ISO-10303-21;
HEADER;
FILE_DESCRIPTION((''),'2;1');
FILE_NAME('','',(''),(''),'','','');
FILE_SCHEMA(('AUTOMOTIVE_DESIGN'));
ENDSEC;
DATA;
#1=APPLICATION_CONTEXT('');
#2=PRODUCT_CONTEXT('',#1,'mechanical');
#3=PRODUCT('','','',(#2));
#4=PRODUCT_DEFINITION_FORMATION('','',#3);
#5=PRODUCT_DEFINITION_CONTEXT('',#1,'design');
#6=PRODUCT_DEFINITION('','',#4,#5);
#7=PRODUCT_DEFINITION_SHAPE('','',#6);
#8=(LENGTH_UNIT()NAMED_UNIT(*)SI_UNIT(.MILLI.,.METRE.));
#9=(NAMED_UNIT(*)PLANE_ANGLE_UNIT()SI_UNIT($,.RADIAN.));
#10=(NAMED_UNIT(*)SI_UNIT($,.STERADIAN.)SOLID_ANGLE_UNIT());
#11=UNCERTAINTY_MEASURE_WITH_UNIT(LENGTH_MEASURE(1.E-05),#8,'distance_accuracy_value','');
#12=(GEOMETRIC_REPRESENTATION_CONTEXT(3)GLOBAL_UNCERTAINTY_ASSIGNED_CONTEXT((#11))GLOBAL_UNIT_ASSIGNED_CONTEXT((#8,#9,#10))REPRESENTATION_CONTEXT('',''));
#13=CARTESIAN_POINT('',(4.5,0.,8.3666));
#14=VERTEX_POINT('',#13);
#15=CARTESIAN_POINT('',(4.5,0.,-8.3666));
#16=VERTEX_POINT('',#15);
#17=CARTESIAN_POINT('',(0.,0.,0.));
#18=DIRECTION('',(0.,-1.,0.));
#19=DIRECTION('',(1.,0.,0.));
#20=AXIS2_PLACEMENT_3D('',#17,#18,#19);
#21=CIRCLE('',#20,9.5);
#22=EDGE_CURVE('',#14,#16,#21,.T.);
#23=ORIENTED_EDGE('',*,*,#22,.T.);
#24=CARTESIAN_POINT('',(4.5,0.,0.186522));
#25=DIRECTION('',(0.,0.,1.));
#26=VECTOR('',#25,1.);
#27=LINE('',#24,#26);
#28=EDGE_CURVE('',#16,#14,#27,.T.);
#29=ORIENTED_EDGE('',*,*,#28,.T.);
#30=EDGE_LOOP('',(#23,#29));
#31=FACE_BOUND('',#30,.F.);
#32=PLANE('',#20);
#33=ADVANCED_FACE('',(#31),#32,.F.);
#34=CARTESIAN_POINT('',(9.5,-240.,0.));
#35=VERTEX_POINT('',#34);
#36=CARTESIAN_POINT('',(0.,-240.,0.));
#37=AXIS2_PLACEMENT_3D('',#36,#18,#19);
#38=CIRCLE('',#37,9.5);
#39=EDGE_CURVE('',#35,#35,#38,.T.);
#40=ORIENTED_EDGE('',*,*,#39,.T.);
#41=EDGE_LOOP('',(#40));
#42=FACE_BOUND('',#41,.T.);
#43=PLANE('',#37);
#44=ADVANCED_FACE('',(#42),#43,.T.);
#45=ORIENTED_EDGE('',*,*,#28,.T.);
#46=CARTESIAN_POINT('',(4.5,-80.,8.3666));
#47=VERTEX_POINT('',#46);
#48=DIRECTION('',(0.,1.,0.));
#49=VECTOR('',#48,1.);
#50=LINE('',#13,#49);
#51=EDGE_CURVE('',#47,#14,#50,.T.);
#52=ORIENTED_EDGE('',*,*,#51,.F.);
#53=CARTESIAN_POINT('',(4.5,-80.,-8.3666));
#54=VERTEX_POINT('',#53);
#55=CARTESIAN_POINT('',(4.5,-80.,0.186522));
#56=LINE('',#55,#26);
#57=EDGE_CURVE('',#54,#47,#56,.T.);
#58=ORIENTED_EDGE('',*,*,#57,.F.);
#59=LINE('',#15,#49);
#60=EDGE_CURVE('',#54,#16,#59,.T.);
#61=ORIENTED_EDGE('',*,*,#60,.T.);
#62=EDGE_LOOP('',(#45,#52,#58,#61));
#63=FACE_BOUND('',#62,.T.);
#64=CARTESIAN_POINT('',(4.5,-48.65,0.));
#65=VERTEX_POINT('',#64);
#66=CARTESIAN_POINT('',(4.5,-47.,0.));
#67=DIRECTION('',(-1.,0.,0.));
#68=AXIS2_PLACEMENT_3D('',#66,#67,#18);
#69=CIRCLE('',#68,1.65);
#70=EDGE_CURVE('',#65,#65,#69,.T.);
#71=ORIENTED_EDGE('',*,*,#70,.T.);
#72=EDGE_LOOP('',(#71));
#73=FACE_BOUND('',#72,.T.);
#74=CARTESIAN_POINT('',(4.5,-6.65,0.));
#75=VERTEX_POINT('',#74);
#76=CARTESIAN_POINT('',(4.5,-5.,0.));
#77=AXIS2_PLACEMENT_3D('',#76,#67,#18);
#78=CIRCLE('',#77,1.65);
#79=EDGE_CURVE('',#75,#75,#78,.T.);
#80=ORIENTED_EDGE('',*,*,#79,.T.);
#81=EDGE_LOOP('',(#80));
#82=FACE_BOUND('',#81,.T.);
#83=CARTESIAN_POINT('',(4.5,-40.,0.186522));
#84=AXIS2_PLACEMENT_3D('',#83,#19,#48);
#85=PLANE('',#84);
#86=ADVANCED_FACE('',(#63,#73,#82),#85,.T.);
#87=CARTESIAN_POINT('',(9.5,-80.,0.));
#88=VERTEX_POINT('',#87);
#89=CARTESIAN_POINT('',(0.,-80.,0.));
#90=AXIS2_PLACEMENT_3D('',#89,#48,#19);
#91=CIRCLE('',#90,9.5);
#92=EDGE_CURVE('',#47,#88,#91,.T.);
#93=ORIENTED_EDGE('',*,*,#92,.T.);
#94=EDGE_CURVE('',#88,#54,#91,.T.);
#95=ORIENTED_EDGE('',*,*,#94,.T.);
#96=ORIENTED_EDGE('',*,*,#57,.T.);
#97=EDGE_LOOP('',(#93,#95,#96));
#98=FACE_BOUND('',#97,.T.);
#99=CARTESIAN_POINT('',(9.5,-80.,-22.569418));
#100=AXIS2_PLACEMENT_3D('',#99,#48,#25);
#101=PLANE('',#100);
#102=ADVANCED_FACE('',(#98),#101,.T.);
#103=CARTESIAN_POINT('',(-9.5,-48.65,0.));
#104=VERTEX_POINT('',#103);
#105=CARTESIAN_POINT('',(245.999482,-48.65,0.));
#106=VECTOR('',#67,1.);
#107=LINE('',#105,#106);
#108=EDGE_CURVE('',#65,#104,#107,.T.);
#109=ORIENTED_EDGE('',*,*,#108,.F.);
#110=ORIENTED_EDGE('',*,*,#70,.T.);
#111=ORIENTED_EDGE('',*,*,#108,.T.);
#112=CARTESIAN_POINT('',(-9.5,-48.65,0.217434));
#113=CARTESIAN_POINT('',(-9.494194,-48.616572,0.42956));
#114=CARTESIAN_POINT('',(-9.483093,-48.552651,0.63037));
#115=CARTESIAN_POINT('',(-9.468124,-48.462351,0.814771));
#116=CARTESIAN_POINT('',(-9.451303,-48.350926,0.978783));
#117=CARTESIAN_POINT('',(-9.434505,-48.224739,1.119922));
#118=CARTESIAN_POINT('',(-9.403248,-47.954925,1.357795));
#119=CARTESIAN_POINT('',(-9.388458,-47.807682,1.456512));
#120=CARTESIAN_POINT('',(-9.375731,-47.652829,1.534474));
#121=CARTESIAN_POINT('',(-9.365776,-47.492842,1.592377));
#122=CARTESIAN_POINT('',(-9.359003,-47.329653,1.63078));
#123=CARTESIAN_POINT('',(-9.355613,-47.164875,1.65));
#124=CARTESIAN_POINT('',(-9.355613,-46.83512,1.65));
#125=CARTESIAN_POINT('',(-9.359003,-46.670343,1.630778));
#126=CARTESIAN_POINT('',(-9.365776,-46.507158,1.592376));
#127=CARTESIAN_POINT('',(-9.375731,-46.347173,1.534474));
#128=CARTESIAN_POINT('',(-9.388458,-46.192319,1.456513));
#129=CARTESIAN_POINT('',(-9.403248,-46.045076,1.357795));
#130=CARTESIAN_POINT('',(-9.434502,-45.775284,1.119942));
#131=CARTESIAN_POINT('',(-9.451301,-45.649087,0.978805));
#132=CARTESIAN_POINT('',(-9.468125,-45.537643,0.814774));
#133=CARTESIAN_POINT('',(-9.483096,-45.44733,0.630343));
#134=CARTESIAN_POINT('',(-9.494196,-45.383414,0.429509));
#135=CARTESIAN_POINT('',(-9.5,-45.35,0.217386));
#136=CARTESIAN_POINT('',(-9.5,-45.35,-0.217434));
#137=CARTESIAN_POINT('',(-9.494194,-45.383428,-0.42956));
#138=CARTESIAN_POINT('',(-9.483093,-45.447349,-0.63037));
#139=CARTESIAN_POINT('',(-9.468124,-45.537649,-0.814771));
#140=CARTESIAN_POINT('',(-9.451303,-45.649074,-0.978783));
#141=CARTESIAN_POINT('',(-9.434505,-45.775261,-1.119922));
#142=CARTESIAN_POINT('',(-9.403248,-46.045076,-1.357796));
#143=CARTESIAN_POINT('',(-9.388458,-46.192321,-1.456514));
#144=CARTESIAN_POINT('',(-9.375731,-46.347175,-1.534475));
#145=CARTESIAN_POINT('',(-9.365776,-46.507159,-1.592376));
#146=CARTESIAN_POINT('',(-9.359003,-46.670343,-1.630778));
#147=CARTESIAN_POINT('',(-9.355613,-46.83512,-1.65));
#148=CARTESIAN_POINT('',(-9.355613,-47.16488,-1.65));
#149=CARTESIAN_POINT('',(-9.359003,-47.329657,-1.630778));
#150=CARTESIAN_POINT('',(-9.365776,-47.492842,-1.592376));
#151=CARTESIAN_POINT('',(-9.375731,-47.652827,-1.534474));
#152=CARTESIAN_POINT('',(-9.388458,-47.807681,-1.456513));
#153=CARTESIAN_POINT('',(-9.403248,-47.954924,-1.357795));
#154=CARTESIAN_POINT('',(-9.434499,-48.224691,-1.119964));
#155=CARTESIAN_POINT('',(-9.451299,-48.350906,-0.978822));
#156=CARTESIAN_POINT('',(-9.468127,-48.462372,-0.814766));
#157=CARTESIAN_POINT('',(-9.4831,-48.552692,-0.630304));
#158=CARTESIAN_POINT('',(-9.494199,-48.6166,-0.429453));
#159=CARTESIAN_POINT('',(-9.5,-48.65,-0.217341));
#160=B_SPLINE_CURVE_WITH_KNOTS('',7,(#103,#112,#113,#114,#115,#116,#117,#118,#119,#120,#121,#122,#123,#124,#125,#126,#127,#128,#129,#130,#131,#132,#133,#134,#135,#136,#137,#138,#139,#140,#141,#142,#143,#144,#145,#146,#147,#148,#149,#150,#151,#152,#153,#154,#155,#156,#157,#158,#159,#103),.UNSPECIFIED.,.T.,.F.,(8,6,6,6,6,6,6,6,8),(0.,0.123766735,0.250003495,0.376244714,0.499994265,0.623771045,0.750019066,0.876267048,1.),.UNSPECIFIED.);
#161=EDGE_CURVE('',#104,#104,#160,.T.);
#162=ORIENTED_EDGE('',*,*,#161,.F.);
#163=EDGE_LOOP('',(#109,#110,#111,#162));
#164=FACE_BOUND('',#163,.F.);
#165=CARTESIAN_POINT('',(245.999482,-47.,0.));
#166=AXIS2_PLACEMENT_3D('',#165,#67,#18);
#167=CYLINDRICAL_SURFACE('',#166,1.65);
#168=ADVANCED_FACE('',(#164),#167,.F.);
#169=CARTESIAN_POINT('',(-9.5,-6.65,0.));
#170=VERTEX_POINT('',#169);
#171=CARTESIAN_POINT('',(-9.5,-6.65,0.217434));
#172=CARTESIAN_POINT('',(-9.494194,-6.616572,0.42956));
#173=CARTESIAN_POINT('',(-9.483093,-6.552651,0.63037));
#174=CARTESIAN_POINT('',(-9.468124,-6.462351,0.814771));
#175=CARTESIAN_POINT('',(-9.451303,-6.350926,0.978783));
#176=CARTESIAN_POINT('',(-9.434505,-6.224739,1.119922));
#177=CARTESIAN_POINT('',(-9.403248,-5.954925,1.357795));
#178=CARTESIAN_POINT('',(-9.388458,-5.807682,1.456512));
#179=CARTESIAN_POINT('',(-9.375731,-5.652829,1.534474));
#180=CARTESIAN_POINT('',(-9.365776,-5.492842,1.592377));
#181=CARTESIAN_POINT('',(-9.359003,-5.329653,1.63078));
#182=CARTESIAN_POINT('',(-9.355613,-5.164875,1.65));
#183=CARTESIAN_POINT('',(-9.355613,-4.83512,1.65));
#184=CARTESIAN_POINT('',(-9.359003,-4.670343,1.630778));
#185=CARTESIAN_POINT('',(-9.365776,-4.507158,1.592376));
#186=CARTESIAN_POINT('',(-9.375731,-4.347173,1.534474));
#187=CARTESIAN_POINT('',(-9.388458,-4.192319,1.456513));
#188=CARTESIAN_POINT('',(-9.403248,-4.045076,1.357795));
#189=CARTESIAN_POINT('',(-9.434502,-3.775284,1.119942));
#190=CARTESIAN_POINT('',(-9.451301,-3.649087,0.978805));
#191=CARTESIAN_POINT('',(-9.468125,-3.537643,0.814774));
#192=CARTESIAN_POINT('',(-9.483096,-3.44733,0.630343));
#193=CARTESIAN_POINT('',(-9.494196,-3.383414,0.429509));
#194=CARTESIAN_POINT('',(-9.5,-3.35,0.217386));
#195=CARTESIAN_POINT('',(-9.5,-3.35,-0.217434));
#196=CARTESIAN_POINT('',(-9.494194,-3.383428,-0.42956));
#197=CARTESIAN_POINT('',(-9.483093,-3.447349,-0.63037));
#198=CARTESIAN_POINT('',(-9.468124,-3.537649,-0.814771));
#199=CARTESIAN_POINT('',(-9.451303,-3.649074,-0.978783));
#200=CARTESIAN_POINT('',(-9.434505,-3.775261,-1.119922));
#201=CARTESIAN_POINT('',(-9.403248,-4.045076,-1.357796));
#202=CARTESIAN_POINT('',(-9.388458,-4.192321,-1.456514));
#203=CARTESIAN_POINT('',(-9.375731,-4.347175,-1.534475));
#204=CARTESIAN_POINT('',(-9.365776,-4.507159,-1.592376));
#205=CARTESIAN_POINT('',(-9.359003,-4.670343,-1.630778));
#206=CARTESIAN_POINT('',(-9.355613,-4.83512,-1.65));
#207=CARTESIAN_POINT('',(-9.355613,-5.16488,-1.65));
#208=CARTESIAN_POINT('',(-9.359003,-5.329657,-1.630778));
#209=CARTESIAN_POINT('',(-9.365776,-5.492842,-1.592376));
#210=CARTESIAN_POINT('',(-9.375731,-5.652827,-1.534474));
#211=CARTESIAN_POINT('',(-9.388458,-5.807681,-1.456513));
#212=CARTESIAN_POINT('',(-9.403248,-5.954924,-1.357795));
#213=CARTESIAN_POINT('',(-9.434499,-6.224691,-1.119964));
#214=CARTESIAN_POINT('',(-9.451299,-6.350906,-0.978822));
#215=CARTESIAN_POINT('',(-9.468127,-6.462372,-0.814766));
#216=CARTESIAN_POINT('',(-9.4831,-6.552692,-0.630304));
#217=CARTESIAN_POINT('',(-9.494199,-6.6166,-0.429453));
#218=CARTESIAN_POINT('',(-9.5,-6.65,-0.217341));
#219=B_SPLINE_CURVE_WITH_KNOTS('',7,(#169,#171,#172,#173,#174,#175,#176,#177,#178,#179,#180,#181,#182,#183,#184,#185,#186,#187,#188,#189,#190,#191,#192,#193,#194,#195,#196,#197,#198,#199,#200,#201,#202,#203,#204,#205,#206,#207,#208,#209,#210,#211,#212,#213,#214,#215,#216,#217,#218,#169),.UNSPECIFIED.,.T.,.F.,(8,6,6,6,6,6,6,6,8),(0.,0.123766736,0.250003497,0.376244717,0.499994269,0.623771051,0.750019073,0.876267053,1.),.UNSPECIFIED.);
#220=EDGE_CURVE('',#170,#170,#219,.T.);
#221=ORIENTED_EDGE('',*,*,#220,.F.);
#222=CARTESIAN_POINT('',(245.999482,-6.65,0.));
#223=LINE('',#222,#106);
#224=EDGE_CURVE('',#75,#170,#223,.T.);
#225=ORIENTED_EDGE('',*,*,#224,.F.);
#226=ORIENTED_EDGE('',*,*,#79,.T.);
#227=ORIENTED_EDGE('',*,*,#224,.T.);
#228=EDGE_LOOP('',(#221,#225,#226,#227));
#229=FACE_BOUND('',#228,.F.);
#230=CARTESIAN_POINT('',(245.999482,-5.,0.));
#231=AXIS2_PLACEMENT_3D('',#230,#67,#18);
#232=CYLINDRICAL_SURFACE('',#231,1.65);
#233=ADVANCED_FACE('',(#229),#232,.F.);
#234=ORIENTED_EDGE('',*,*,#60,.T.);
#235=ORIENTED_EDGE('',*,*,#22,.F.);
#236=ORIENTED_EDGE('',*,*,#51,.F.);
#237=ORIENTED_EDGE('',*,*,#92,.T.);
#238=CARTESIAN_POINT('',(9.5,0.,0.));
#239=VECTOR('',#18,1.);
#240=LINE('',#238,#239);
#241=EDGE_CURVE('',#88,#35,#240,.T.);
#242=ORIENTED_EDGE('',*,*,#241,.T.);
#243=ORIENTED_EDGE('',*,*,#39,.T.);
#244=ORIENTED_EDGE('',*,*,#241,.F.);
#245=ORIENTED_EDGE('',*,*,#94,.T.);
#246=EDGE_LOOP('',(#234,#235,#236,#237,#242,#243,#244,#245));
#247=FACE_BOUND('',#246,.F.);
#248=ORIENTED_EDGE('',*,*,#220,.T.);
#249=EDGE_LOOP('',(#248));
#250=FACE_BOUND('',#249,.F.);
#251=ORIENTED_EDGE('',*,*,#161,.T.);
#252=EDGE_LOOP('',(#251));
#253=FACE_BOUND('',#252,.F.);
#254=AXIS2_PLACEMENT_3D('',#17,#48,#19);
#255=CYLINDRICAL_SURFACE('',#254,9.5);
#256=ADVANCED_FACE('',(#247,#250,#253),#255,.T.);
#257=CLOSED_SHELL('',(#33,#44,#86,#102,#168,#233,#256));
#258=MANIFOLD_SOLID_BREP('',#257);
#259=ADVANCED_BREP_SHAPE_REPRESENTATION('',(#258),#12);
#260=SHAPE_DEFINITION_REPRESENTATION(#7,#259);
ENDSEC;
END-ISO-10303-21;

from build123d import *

# Parameters (mm, degrees)
F0_R     = 9.5
F1_DEPTH = 240
F3_W     = 80
F3_H     = 45.5118790269
F4_DEPTH = 5
F6_D     = 3.3


with BuildPart() as f1:
    # F0 (on Front) → F1 (new body)
    with BuildSketch(Plane.XZ):
        Circle(F0_R)
    extrude(amount=F1_DEPTH)

    # F3 (on offset) → F4 (cut)
    with BuildSketch(Plane.YZ.offset(9.5)):
        with Locations((-40, 0.18652156)):
            Rectangle(F3_W, F3_H)
    extrude(amount=-F4_DEPTH, mode=Mode.SUBTRACT)

    # F6 (through all)
    with Locations(Plane.YZ.offset(4.5)):
        with Locations((-47, 0), (-5, 0)):
            Hole(F6_D / 2)


solid = f1.part
